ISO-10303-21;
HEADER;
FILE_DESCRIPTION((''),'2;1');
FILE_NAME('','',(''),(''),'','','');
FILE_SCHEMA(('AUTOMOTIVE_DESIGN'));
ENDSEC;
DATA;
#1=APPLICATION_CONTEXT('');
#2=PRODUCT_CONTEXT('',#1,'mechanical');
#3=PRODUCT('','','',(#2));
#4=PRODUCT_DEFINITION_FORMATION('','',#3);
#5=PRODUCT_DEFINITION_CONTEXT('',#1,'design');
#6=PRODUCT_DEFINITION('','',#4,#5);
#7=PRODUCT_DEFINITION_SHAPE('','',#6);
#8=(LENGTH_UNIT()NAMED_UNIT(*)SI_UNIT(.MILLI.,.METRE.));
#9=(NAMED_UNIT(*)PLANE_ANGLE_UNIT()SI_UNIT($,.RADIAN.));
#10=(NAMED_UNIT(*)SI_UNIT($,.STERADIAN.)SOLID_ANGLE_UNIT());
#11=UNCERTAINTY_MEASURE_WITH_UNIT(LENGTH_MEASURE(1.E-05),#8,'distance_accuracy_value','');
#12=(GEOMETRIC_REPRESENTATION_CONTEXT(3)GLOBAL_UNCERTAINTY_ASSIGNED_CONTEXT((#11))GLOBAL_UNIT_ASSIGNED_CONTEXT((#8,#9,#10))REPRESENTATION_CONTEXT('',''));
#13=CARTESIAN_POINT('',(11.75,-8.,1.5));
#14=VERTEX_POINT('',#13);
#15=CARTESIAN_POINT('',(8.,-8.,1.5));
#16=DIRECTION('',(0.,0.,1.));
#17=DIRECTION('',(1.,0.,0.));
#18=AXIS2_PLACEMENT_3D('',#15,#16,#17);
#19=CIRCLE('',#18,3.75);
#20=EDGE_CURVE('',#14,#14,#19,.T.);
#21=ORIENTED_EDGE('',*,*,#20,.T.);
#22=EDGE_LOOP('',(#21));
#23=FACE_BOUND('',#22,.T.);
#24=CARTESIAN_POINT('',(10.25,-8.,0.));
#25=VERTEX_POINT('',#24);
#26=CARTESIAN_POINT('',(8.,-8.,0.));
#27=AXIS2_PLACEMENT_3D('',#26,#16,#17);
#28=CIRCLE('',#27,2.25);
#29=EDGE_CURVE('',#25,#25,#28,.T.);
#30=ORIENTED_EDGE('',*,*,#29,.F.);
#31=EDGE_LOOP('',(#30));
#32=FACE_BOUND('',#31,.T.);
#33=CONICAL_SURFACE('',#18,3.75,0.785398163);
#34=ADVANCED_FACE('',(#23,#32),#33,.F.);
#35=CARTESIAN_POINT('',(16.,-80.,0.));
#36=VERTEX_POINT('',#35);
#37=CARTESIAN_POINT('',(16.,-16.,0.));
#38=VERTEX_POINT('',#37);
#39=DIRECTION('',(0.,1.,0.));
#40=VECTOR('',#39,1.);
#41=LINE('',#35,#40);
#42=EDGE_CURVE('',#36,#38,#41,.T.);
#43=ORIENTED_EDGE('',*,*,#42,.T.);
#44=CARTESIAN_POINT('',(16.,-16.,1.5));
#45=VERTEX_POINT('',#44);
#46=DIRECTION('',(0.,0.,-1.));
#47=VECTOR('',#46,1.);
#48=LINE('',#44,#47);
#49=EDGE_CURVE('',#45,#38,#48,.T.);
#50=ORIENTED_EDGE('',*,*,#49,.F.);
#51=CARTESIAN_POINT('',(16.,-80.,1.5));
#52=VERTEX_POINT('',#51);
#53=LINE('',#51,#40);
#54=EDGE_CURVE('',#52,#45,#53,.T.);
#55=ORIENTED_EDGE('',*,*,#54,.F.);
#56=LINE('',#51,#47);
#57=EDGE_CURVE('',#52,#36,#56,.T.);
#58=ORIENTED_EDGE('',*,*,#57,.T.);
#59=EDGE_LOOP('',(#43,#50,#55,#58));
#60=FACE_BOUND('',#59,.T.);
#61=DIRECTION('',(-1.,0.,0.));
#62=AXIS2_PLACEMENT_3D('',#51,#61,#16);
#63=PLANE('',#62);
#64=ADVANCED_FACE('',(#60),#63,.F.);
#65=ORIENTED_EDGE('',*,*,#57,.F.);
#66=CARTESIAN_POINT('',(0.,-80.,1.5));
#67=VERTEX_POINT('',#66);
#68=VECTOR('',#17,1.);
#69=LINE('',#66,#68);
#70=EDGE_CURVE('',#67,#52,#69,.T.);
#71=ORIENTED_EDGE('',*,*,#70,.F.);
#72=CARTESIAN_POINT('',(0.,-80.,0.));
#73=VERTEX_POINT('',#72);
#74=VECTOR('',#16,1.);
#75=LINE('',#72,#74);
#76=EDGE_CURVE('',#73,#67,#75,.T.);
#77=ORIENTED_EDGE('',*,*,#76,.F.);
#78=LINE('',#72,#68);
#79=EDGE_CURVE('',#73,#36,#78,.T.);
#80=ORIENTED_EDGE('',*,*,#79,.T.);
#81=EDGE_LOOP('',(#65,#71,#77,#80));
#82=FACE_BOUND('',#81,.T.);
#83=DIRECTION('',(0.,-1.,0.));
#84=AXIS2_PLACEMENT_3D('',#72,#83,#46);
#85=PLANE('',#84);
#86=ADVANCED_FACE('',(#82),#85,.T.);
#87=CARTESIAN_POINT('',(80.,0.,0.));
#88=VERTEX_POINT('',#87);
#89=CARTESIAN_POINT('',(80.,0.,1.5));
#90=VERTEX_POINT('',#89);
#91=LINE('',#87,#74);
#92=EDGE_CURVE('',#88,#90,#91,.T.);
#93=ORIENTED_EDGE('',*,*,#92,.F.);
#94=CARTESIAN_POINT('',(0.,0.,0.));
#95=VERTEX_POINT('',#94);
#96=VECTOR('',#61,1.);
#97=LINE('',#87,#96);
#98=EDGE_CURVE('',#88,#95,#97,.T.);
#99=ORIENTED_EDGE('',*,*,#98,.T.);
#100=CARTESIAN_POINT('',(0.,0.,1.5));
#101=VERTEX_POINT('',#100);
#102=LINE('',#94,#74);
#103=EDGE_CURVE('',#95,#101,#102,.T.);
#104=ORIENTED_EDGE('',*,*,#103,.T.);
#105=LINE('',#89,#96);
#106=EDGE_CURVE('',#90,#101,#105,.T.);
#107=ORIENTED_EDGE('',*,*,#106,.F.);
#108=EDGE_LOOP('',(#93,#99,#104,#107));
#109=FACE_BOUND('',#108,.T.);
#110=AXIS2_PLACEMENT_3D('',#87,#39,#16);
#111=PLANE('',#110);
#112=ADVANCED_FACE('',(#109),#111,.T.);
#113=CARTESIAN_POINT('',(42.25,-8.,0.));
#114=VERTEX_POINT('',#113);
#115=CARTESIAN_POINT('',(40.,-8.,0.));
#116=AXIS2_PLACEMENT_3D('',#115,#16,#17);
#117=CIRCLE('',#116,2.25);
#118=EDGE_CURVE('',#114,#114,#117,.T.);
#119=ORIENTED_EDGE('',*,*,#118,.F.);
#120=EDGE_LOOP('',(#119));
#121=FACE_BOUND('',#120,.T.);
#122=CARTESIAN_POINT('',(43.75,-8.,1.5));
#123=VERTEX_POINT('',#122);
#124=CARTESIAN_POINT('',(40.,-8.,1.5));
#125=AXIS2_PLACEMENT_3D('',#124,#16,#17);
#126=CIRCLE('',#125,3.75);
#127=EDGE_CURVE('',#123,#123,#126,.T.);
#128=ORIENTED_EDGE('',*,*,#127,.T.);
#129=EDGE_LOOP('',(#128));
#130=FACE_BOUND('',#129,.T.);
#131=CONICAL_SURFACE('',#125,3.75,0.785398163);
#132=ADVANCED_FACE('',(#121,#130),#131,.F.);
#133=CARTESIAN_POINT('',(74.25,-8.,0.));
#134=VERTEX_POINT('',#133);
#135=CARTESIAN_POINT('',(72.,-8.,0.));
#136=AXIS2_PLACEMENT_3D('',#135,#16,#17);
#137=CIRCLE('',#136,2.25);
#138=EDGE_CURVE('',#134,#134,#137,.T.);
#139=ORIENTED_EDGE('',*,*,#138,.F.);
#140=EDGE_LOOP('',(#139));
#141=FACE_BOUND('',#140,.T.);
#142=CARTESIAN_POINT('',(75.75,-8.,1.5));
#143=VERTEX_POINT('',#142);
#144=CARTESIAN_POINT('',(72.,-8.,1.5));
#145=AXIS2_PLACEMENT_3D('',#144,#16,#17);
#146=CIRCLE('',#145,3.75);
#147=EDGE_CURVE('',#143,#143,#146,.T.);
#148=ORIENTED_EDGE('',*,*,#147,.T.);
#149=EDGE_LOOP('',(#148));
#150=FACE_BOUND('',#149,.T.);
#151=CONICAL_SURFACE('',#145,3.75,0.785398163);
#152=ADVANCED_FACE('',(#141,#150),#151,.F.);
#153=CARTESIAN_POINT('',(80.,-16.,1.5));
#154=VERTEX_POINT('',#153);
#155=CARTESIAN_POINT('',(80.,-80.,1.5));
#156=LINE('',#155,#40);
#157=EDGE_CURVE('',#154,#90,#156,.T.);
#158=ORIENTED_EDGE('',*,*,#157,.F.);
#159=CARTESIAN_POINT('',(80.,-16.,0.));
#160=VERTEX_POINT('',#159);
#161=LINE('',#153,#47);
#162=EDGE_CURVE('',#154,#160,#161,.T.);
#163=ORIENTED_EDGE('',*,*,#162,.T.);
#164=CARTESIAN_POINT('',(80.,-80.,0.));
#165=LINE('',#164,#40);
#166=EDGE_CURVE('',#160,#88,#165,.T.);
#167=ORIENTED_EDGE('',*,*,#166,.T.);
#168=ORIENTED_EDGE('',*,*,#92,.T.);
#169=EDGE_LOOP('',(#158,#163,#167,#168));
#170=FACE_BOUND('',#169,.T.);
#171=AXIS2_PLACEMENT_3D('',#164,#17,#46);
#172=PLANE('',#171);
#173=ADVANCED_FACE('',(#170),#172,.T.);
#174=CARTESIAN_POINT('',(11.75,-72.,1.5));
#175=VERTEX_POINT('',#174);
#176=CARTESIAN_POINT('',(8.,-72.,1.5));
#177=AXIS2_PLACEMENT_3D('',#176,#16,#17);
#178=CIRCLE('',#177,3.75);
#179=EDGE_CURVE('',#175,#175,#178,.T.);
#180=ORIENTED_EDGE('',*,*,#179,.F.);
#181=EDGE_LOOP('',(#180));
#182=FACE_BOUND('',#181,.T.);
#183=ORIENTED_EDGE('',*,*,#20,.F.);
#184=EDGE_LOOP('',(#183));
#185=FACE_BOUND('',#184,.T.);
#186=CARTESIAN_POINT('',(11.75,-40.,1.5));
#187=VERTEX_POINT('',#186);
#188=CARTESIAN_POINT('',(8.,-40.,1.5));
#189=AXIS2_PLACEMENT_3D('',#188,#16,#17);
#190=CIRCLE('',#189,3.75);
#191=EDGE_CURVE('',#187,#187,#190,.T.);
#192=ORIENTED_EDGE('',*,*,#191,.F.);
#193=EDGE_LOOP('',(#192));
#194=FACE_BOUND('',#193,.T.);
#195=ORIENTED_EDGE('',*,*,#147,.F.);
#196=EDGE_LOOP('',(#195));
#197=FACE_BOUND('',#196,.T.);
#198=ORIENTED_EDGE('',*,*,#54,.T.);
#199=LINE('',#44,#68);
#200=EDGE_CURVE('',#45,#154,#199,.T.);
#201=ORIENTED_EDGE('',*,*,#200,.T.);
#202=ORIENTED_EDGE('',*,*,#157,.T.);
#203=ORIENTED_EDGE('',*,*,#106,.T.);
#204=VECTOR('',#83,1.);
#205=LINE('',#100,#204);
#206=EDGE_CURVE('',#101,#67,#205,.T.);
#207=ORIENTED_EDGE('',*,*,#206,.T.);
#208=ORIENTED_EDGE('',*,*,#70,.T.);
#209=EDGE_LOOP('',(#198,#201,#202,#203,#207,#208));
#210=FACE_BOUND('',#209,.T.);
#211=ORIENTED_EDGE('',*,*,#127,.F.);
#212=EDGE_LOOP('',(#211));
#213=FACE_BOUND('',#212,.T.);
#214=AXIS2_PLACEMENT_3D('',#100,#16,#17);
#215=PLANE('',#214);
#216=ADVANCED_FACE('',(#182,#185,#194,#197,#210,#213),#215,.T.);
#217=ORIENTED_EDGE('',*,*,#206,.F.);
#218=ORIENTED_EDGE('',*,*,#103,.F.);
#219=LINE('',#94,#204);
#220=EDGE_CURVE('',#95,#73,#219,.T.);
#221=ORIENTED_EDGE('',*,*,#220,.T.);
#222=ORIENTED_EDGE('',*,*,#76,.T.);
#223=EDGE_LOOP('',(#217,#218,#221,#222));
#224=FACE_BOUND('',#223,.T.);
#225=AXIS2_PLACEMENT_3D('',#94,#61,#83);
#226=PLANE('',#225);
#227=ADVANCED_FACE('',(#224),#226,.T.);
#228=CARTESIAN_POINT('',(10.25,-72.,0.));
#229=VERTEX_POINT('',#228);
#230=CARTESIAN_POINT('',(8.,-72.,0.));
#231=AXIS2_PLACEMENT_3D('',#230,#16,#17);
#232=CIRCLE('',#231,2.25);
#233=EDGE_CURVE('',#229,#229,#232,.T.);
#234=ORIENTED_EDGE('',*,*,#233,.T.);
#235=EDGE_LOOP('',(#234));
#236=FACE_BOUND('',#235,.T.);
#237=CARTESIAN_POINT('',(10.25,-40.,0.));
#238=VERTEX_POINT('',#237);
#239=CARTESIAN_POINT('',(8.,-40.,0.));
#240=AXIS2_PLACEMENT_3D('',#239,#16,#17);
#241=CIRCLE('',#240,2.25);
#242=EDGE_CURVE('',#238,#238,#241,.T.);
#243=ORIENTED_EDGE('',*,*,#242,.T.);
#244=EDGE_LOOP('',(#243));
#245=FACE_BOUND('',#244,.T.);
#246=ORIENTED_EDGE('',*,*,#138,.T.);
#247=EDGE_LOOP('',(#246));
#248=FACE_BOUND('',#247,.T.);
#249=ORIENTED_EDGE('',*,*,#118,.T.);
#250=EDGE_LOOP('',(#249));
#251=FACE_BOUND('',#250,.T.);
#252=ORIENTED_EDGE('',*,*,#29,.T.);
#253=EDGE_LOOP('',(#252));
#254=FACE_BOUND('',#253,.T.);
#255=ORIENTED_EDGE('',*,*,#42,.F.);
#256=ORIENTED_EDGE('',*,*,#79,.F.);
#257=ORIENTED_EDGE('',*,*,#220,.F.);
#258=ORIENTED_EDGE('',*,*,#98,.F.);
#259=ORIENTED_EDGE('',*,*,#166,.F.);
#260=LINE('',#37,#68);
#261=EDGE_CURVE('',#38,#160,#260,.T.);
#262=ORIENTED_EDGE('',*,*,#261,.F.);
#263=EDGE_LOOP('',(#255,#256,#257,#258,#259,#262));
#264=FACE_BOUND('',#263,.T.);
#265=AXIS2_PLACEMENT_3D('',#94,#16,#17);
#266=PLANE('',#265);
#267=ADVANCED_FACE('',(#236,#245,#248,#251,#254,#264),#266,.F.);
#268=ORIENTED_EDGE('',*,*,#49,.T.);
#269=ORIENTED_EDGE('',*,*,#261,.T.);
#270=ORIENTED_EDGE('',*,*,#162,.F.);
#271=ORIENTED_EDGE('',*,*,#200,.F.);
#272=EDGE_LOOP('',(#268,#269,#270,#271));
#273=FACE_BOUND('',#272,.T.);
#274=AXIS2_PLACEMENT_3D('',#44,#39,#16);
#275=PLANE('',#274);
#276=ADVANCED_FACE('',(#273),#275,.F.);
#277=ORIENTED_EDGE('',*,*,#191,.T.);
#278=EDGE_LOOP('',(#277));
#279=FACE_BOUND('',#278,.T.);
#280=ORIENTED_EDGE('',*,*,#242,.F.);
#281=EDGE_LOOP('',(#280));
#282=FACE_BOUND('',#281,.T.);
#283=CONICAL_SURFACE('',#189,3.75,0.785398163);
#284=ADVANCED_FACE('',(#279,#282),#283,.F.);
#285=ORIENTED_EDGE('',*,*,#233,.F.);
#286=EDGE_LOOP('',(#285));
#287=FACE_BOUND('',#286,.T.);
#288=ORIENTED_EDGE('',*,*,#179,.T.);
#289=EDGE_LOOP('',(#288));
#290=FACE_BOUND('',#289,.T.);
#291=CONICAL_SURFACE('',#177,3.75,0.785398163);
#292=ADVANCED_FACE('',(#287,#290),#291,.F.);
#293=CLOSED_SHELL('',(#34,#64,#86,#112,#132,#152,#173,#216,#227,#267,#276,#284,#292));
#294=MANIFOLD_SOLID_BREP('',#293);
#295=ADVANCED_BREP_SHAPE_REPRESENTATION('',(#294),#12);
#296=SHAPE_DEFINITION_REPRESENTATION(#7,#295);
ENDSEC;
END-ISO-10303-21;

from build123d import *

# Parameters (mm, degrees)
SKETCH1_W           = 80
SKETCH1_H           = 80
BOSS_EXTRUDE1_DEPTH = 1.5
SKETCH2_W           = 64
SKETCH2_H           = 64
CUT_EXTRUDE1_DEPTH  = 2.5
HOLE1_AT_2_COUNT    = 2
HOLE1_AT_2_PITCH    = 32
HOLE1_AT_3_COUNT    = 2
HOLE1_AT_3_PITCH    = 64
HOLE1_AT_4_COUNT    = 2
HOLE1_AT_4_PITCH    = 32
HOLE1_AT_5_COUNT    = 2
HOLE1_AT_5_PITCH    = 64


with BuildPart() as part:
    # Sketch1 → Boss-Extrude1 (new body)
    with BuildSketch(Plane.XY.offset(1.5)):
        with Locations((40, -40)):
            Rectangle(SKETCH1_W, SKETCH1_H)
    extrude(amount=-BOSS_EXTRUDE1_DEPTH)

    # Sketch2 → Cut-Extrude1 (cut, through all)
    with BuildSketch(Plane(origin=(0, 0, 0), x_dir=(-1, 0, 0), z_dir=(0, 0, -1))):
        with Locations((-48, -48)):
            Rectangle(SKETCH2_W, SKETCH2_H)
    extrude(amount=-CUT_EXTRUDE1_DEPTH, mode=Mode.SUBTRACT)

    # Sketch3 → Hole1 (revolve, cut)
    with BuildSketch(Plane(origin=(8, -8, 1.5), x_dir=(0, -1, 0), z_dir=(1, 0, 0))):
        Polygon((0, 0), (0, 1.5), (2.25, 1.5), (3.75, 0), align=None)
    hole1 = revolve(axis=Axis((8, -8, -108.5), (0, 0, 1)), mode=Mode.SUBTRACT)

    # Hole1 at 2: Hole1 ×2
    with Locations(*[(i * HOLE1_AT_2_PITCH, 0, 0) for i in range(1, HOLE1_AT_2_COUNT)]):
        add(hole1, mode=Mode.SUBTRACT)

    # Hole1 at 3: Hole1 ×2
    with Locations(*[(i * HOLE1_AT_3_PITCH, 0, 0) for i in range(1, HOLE1_AT_3_COUNT)]):
        add(hole1, mode=Mode.SUBTRACT)

    # Hole1 at 4: Hole1 ×2
    with Locations(*[(0, -i * HOLE1_AT_4_PITCH, 0) for i in range(1, HOLE1_AT_4_COUNT)]):
        add(hole1, mode=Mode.SUBTRACT)

    # Hole1 at 5: Hole1 ×2
    with Locations(*[(0, -i * HOLE1_AT_5_PITCH, 0) for i in range(1, HOLE1_AT_5_COUNT)]):
        add(hole1, mode=Mode.SUBTRACT)


solid = part.part
